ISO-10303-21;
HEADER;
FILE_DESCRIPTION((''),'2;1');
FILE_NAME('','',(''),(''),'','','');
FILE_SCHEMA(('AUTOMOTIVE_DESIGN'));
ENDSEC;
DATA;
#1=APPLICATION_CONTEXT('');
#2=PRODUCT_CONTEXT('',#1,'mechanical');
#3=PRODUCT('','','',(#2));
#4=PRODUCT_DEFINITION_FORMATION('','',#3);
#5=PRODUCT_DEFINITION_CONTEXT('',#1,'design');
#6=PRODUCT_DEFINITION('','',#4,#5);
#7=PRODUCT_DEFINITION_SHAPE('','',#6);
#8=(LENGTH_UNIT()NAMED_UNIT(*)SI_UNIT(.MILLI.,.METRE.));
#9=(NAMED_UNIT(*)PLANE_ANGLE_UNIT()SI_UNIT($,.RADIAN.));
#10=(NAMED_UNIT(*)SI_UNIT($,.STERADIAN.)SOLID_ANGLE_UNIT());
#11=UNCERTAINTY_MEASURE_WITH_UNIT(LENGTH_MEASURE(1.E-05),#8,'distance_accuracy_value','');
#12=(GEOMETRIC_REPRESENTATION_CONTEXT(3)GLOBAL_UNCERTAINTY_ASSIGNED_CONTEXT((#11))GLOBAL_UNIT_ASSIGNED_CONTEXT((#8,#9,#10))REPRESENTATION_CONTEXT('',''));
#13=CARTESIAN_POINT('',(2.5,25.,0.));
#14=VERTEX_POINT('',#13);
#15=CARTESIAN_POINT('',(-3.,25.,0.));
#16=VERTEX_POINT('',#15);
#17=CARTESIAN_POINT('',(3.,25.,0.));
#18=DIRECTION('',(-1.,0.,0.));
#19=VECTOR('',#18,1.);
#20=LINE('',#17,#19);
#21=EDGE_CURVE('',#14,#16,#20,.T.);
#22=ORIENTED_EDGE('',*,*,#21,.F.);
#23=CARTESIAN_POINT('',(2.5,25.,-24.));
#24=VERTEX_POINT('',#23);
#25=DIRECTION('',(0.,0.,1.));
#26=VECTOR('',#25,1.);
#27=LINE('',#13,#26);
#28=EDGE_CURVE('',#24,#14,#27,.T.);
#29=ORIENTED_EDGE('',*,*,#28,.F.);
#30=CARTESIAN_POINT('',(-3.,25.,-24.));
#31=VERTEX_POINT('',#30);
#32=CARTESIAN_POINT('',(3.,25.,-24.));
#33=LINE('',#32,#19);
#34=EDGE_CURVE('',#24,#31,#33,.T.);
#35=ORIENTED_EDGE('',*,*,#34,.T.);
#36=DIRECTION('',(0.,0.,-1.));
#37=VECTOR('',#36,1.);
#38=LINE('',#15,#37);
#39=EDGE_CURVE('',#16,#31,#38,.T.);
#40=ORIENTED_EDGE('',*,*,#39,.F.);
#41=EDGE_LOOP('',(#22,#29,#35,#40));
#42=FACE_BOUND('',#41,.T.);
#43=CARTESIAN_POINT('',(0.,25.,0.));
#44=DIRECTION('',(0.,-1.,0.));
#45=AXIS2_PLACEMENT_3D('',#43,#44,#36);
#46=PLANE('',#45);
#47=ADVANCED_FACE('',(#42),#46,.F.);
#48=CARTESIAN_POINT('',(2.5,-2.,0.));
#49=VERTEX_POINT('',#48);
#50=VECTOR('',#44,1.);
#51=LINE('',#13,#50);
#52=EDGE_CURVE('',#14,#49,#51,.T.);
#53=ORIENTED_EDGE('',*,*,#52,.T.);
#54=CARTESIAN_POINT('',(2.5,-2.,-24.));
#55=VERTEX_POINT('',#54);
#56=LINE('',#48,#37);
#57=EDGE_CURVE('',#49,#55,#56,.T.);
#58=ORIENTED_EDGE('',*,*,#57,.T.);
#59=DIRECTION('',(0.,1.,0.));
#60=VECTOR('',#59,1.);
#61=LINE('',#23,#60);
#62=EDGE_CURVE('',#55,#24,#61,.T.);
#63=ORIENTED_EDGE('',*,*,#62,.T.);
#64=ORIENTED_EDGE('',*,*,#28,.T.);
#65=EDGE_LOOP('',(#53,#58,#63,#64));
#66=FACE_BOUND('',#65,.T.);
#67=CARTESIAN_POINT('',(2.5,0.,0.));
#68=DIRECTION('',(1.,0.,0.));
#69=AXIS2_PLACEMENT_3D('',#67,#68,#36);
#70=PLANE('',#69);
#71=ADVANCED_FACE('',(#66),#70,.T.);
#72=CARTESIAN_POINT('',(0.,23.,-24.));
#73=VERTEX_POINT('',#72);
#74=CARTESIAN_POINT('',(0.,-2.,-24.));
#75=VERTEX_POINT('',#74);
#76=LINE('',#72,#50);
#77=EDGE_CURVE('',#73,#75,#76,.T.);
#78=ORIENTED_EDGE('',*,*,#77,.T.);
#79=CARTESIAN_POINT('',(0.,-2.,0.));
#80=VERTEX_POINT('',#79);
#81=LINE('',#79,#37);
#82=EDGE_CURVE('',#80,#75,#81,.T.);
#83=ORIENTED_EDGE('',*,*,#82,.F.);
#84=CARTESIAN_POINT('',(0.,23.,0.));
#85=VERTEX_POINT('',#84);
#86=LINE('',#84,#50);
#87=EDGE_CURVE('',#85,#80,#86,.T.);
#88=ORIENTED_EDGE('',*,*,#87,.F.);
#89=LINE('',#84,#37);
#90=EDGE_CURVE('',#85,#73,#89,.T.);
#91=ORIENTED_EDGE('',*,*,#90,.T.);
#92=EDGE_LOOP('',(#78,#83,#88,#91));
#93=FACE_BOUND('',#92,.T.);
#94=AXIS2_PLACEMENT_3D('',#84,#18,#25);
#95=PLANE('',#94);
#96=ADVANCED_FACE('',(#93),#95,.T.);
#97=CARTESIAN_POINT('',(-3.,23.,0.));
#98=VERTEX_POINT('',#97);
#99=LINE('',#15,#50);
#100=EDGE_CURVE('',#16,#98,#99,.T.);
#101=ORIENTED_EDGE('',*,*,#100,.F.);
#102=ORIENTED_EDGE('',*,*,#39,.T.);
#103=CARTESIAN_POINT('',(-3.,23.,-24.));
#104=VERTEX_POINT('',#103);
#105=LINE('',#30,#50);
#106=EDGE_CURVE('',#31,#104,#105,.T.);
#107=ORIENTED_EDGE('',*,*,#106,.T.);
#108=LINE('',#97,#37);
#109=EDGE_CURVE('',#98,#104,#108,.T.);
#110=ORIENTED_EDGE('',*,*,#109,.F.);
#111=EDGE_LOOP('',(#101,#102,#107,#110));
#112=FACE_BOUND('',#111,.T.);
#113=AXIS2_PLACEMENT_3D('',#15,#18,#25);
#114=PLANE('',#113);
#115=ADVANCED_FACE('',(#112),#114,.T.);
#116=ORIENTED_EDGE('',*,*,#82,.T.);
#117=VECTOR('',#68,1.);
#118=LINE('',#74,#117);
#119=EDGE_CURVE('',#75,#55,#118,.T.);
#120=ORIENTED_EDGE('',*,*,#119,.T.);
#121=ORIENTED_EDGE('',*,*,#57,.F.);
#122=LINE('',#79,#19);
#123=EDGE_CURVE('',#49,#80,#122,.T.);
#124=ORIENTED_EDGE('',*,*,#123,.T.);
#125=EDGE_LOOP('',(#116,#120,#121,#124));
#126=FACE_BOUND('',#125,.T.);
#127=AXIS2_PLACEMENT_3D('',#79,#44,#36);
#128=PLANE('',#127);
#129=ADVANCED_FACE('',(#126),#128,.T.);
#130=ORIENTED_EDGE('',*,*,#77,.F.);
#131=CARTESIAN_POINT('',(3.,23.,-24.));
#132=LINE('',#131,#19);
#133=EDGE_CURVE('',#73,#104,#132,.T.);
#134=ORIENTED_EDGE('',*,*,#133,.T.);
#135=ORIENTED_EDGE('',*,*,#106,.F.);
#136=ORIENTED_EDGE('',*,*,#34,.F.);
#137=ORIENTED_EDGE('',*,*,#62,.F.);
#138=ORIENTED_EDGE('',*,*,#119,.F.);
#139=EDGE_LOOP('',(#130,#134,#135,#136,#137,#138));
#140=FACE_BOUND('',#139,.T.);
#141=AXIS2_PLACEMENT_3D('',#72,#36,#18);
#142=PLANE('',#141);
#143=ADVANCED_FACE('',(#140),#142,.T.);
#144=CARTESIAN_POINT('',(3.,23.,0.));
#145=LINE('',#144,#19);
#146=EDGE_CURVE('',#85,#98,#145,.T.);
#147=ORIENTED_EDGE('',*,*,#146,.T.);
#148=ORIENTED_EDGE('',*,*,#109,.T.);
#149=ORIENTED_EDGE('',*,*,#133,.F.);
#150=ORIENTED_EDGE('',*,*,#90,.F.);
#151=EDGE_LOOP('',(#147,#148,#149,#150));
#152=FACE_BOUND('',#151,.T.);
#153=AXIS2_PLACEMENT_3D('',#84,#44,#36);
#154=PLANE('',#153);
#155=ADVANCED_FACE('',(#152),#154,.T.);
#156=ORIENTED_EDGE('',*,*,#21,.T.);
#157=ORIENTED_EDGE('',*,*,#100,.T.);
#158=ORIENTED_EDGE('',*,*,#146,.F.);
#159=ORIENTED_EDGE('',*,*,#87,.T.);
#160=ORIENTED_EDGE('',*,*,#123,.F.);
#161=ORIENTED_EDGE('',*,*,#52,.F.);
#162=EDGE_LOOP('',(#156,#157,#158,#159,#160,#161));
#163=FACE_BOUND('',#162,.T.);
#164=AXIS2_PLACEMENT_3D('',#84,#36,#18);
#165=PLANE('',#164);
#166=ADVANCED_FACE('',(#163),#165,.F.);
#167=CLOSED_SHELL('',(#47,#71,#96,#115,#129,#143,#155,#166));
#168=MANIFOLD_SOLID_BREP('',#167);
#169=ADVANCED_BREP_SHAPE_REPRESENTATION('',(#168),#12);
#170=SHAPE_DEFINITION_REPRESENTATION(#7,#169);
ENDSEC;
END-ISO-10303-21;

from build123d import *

# Parameters (mm, degrees)
SKETCH1_W           = 3
SKETCH1_H           = 24
BOSS_EXTRUDE1_DEPTH = 23
SKETCH2_W           = 6
SKETCH2_H           = 24
BOSS_EXTRUDE2_DEPTH = 2
SKETCH4_W           = 3
SKETCH4_H           = 24
BOSS_EXTRUDE3_DEPTH = 2
SKETCH5_W           = 24
SKETCH5_H           = 27
CUT_EXTRUDE1_DEPTH  = 0.5


with BuildPart() as part:
    # Sketch1 → Boss-Extrude1 (new body)
    with BuildSketch(Plane(origin=(0, 0, 0), x_dir=(1, 0, 0), z_dir=(0, 1, 0))):
        with Locations((1.5, 12)):
            Rectangle(SKETCH1_W, SKETCH1_H)
    extrude(amount=BOSS_EXTRUDE1_DEPTH)

    # Sketch2 → Boss-Extrude2 (add)
    with BuildSketch(Plane(origin=(0, 23, 0), x_dir=(1, 0, 0), z_dir=(0, 1, 0))):
        with Locations((0, 12)):
            Rectangle(SKETCH2_W, SKETCH2_H)
    extrude(amount=BOSS_EXTRUDE2_DEPTH)

    # Sketch4 → Boss-Extrude3 (add)
    with BuildSketch(Plane.XZ):
        with Locations((1.5, -12)):
            Rectangle(SKETCH4_W, SKETCH4_H)
    extrude(amount=BOSS_EXTRUDE3_DEPTH)

    # Sketch5 → Cut-Extrude1 (cut)
    with BuildSketch(Plane(origin=(3, 0, 0), x_dir=(0, 0, -1), z_dir=(1, 0, 0))):
        with Locations((12, 11.5)):
            Rectangle(SKETCH5_W, SKETCH5_H)
    extrude(amount=-CUT_EXTRUDE1_DEPTH, mode=Mode.SUBTRACT)


solid = part.part
